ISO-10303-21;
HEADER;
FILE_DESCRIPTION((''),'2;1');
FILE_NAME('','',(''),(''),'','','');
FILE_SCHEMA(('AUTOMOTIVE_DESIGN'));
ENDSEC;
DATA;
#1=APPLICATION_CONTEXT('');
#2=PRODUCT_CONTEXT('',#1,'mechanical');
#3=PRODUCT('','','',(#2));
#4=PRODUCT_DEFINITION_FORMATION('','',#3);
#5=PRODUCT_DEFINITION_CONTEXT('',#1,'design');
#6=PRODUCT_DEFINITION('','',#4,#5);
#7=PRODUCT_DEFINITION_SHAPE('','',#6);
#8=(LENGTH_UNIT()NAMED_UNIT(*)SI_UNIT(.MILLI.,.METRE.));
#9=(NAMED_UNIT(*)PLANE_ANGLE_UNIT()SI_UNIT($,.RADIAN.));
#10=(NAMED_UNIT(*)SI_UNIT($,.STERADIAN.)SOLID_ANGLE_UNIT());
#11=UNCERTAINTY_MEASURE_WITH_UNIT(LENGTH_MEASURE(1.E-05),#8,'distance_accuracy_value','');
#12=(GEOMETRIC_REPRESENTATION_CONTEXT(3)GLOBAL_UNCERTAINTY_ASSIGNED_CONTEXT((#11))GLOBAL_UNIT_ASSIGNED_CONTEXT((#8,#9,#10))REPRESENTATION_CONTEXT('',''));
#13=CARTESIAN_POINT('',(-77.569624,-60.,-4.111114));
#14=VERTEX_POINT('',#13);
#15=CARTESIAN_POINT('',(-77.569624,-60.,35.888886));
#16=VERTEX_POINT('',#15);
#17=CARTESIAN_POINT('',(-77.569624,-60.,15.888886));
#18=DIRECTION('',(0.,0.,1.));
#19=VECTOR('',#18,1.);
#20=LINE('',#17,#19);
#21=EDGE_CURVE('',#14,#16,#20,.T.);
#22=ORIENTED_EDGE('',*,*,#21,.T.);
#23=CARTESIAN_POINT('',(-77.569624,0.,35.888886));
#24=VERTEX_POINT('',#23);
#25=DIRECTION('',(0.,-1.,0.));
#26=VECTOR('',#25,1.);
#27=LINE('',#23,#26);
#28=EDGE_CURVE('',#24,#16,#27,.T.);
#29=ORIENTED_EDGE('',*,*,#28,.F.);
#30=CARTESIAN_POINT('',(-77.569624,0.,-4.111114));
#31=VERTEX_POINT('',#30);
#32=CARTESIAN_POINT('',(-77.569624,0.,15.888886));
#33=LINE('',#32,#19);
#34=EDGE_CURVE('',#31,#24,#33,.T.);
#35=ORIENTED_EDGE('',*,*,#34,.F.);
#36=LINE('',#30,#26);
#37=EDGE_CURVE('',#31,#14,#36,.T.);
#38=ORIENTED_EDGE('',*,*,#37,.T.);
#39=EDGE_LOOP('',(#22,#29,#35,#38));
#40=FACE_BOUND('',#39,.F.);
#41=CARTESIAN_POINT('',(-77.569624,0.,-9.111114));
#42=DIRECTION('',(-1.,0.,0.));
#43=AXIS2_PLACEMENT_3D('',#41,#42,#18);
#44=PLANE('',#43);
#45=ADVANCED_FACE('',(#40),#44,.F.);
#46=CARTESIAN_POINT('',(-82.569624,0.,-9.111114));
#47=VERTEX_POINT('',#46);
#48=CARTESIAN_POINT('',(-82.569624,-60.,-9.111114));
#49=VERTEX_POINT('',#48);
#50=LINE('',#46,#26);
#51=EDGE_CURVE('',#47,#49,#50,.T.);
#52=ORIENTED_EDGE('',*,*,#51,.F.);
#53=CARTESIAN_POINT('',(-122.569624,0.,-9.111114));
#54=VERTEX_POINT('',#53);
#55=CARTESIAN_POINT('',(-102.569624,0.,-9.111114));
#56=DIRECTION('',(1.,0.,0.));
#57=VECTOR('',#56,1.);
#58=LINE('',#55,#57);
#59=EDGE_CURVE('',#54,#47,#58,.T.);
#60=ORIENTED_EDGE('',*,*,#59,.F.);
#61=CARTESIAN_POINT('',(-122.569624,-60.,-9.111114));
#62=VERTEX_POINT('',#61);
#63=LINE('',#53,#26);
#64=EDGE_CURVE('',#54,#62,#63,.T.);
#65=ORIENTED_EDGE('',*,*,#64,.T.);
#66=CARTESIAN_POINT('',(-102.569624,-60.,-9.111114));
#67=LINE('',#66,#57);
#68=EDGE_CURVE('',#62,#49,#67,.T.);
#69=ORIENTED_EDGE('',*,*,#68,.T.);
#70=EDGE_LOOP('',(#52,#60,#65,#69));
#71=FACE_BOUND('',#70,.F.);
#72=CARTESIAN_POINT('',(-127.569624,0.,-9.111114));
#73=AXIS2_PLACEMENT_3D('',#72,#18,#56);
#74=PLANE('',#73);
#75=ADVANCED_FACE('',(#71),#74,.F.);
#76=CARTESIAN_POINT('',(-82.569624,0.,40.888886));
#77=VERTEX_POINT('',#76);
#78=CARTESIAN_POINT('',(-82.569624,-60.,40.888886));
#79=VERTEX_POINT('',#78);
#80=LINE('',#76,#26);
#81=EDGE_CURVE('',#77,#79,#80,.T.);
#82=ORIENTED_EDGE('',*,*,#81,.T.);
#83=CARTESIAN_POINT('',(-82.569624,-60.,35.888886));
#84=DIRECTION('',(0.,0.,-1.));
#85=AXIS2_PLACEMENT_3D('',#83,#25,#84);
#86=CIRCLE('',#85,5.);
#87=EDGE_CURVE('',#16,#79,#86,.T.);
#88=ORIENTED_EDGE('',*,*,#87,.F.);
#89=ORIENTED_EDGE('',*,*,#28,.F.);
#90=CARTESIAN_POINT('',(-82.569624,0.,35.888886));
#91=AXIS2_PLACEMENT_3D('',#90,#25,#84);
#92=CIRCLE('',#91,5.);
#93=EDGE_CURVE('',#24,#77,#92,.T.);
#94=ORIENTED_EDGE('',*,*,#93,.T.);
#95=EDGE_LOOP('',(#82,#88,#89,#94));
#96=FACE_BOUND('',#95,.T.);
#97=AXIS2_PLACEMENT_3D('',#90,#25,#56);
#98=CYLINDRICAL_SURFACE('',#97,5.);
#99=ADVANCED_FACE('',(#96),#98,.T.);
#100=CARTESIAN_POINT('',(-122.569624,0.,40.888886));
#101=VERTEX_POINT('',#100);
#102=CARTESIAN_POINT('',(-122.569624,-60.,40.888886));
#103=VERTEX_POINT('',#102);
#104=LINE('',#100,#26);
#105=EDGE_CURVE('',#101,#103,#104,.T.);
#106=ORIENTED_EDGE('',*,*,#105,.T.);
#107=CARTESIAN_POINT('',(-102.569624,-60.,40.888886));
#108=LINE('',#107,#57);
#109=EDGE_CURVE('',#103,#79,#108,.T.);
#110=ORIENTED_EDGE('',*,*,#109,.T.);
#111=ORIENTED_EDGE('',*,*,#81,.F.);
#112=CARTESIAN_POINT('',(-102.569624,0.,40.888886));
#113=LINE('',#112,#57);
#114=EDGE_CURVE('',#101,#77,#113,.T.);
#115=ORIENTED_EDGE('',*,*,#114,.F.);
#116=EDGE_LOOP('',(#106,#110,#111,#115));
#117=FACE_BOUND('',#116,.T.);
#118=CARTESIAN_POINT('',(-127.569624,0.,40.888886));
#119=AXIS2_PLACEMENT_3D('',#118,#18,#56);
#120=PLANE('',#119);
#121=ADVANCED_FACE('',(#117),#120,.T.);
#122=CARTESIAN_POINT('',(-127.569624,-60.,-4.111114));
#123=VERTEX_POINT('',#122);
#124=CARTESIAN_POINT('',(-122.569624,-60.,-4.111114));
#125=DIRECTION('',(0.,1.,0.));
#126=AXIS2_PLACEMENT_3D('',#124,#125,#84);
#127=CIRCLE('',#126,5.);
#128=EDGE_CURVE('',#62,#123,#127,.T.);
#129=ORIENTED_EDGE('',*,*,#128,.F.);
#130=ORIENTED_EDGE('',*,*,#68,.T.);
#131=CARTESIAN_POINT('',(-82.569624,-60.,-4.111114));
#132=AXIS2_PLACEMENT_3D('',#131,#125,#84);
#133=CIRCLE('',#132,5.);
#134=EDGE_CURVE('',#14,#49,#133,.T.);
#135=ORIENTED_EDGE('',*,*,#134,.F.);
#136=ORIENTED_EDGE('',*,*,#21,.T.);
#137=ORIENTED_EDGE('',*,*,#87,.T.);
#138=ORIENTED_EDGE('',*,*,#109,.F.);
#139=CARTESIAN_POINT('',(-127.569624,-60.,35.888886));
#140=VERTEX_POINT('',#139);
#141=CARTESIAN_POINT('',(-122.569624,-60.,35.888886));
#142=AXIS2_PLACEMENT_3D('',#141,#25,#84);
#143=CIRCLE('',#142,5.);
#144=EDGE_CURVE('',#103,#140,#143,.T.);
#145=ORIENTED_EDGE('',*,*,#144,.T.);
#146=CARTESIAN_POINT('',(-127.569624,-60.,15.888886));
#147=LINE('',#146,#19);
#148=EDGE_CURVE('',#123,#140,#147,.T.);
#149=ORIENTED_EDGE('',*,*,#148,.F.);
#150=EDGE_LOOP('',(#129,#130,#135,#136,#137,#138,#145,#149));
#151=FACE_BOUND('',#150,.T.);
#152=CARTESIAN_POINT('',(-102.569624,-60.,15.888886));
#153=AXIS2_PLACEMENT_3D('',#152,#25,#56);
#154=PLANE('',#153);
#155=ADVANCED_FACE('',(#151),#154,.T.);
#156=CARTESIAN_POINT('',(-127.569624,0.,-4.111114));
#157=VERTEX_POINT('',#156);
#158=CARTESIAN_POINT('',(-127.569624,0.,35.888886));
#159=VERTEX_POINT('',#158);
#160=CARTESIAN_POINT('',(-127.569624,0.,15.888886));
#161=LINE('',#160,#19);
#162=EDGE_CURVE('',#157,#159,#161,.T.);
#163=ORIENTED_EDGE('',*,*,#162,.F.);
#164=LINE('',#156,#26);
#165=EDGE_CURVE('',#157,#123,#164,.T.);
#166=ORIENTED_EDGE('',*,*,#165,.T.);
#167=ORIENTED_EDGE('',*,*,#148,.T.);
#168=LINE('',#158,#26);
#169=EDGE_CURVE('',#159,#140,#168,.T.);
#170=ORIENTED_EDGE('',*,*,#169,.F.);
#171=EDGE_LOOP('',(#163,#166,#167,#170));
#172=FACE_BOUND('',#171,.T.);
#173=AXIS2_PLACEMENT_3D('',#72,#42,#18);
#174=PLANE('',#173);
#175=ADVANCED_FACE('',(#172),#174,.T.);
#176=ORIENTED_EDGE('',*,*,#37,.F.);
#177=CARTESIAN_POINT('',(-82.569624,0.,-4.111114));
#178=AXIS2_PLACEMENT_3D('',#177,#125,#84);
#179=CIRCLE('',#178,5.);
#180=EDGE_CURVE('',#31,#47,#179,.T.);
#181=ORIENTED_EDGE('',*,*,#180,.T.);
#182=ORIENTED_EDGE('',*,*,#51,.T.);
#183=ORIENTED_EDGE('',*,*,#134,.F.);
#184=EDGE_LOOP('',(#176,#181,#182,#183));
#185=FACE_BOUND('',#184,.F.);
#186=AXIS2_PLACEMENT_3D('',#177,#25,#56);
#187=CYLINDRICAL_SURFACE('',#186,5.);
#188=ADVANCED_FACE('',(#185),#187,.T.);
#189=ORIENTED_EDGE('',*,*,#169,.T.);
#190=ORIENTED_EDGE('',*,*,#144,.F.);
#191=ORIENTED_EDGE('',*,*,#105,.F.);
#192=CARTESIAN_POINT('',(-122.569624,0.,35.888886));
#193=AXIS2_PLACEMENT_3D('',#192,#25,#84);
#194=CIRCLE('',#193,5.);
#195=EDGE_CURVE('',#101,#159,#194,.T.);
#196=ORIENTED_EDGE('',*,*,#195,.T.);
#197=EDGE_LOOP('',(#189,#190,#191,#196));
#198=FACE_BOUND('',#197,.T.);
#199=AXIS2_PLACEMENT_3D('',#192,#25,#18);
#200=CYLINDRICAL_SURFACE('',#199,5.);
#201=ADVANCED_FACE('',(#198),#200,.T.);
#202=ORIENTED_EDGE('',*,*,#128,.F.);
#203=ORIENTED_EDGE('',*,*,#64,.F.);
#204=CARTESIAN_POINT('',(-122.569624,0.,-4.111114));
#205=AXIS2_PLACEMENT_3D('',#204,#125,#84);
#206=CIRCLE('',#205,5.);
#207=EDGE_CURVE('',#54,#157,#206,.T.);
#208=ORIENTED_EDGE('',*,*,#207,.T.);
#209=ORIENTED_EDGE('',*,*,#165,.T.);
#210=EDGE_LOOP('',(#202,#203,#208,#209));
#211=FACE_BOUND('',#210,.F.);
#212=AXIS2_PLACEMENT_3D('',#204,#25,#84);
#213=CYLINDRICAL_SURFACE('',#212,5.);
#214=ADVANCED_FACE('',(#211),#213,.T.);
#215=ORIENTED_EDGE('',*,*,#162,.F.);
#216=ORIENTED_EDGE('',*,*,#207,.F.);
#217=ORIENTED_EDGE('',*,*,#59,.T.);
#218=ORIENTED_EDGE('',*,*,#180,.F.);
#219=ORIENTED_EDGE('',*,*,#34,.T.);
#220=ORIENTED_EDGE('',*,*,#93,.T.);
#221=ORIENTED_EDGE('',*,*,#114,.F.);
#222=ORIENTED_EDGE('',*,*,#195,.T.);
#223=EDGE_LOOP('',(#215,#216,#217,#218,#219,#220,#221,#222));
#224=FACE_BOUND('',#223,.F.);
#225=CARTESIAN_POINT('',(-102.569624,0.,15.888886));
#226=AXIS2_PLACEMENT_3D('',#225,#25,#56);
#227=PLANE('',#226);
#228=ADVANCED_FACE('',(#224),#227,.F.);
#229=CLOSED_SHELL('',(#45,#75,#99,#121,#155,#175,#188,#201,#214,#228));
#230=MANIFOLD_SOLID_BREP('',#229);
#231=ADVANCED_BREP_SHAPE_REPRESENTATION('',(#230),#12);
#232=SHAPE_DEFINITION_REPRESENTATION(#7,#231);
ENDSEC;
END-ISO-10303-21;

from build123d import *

# Parameters (mm, degrees)
F0_W     = 50
F0_H     = 50
F1_DEPTH = 60
F2_R     = 5
F3_R     = 5


with BuildPart() as f1:
    # F0 (on Front) → F1 (new body)
    with BuildSketch(Plane.XZ):
        with Locations((-102.569624, 15.888886)):
            Rectangle(F0_W, F0_H)
    extrude(amount=F1_DEPTH)

    # F2
    f2_edges = [f1.edges().sort_by_distance(p)[0] for p in [
        (-77.569624, -30, 40.888886),
    ]]
    fillet(f2_edges, radius=F2_R)

    # F3
    f3_edges = [f1.edges().sort_by_distance(p)[0] for p in [
        (-127.569624, -30, 40.888886),
        (-77.569624, -30, -9.111114),
        (-127.569624, -30, -9.111114),
    ]]
    fillet(f3_edges, radius=F3_R)


solid = f1.part
